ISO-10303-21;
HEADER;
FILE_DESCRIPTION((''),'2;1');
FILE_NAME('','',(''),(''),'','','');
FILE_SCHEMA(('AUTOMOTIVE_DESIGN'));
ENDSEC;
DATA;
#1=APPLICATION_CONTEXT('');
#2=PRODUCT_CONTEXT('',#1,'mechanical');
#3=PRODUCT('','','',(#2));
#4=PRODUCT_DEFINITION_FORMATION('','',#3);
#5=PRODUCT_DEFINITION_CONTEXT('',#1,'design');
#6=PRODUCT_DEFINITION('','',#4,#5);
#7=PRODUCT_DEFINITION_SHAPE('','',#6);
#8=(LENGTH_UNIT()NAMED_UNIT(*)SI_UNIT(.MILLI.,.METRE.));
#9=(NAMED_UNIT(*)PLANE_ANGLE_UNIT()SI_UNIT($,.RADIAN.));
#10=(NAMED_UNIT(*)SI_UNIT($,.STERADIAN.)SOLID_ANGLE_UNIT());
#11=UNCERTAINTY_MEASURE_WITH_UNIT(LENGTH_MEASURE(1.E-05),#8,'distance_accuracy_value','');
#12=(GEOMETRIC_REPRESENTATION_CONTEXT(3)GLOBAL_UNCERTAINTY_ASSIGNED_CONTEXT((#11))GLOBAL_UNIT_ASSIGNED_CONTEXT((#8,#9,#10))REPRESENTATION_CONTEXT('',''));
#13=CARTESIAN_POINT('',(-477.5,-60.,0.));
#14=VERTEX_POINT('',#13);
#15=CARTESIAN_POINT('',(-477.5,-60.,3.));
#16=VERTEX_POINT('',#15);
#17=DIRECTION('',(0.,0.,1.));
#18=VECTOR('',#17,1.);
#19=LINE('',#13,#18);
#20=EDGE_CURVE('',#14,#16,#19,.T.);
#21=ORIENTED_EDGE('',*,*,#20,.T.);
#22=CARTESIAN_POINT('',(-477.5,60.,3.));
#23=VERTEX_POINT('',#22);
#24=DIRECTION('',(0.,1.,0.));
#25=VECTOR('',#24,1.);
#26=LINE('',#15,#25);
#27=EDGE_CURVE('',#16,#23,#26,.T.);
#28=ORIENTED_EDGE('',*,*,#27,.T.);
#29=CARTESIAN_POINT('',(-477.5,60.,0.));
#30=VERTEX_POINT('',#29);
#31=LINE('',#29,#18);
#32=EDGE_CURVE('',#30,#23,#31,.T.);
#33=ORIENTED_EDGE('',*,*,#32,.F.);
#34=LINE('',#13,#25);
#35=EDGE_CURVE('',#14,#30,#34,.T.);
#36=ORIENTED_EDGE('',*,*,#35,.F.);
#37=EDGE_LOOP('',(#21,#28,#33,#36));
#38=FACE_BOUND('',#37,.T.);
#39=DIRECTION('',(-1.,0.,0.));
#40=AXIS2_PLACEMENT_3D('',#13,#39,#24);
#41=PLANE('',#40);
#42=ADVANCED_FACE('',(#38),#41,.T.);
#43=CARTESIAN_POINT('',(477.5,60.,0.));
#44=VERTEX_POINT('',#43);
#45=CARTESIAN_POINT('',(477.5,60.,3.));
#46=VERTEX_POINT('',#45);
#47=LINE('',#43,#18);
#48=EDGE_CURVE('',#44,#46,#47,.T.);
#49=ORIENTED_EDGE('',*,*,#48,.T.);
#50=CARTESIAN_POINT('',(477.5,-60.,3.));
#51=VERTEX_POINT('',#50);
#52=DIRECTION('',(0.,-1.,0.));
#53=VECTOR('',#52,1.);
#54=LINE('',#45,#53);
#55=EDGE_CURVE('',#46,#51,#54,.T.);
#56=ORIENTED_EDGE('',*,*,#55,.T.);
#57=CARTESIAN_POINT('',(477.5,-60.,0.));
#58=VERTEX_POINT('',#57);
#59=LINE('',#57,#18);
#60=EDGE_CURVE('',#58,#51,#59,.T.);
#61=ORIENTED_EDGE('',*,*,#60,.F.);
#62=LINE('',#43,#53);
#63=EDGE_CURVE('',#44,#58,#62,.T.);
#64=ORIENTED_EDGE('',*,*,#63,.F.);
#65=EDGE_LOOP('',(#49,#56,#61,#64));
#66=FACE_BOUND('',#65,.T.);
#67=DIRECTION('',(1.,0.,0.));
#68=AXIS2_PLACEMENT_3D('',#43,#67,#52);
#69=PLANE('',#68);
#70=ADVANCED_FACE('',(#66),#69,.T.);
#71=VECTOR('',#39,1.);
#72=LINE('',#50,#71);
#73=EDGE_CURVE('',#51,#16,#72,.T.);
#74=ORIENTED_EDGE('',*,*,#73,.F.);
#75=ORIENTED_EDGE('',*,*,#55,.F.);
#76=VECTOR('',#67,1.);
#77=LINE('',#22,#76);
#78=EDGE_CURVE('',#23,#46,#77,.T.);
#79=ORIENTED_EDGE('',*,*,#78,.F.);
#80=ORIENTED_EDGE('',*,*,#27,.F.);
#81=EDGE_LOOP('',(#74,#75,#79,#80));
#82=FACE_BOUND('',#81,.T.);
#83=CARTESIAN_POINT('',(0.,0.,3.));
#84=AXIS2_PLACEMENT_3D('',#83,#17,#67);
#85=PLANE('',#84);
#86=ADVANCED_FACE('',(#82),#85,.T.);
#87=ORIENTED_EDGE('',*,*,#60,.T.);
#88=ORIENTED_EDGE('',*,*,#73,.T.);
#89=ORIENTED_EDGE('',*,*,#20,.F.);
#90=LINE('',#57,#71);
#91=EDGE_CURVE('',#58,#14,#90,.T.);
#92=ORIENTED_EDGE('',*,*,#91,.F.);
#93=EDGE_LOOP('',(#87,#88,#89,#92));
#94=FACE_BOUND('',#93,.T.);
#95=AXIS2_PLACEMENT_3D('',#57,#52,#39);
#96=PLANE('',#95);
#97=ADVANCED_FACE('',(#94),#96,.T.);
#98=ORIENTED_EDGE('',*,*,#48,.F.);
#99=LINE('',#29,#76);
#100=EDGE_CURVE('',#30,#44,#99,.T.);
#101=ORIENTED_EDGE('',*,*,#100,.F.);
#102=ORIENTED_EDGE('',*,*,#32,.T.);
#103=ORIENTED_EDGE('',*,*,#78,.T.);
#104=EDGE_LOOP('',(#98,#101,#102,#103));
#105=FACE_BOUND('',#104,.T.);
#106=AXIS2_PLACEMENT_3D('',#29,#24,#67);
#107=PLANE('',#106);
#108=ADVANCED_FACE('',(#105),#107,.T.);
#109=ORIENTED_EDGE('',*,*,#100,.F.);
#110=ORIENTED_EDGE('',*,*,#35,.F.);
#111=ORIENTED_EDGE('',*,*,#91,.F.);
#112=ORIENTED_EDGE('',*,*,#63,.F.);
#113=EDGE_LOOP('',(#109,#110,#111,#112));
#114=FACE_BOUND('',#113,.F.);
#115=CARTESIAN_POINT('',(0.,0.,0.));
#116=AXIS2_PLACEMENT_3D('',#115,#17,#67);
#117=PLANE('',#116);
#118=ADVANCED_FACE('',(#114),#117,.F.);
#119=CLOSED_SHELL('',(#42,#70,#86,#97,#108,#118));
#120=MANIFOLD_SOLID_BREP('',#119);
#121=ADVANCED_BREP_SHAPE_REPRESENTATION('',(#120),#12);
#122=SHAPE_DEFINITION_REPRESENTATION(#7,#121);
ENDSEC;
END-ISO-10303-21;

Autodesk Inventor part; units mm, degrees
ref_plane "YZ Plane" through (0, 0, 0) normal (1, 0, 0) x (0, 1, 0)
ref_plane "XZ Plane" through (0, 0, 0) normal (0, 1, 0) x (-1, 0, 0)
ref_plane "XY Plane" through (0, 0, 0) normal (0, 0, 1) x (1, 0, 0)
sketch "草图1" plane through (0, 0, 0) normal (0, 0, 1) x (1, 0, 0)
  line L0 (477.5, -60) -> (-477.5, -60)
  line L1 (-477.5, -60) -> (-477.5, 60)
  line L2 (-477.5, 60) -> (477.5, 60)
  line L3 (477.5, 60) -> (477.5, -60)
  line L4 (477.5, -60) -> (-477.5, 60) construction
  line L5 (-477.5, -60) -> (477.5, 60) construction
  point P0 (0, 0)
  dimension "d0" = 955
  dimension "d1" = 120
extrude "拉伸1" add sketch "草图1" along normal blind 3
properties part number "板材2"
